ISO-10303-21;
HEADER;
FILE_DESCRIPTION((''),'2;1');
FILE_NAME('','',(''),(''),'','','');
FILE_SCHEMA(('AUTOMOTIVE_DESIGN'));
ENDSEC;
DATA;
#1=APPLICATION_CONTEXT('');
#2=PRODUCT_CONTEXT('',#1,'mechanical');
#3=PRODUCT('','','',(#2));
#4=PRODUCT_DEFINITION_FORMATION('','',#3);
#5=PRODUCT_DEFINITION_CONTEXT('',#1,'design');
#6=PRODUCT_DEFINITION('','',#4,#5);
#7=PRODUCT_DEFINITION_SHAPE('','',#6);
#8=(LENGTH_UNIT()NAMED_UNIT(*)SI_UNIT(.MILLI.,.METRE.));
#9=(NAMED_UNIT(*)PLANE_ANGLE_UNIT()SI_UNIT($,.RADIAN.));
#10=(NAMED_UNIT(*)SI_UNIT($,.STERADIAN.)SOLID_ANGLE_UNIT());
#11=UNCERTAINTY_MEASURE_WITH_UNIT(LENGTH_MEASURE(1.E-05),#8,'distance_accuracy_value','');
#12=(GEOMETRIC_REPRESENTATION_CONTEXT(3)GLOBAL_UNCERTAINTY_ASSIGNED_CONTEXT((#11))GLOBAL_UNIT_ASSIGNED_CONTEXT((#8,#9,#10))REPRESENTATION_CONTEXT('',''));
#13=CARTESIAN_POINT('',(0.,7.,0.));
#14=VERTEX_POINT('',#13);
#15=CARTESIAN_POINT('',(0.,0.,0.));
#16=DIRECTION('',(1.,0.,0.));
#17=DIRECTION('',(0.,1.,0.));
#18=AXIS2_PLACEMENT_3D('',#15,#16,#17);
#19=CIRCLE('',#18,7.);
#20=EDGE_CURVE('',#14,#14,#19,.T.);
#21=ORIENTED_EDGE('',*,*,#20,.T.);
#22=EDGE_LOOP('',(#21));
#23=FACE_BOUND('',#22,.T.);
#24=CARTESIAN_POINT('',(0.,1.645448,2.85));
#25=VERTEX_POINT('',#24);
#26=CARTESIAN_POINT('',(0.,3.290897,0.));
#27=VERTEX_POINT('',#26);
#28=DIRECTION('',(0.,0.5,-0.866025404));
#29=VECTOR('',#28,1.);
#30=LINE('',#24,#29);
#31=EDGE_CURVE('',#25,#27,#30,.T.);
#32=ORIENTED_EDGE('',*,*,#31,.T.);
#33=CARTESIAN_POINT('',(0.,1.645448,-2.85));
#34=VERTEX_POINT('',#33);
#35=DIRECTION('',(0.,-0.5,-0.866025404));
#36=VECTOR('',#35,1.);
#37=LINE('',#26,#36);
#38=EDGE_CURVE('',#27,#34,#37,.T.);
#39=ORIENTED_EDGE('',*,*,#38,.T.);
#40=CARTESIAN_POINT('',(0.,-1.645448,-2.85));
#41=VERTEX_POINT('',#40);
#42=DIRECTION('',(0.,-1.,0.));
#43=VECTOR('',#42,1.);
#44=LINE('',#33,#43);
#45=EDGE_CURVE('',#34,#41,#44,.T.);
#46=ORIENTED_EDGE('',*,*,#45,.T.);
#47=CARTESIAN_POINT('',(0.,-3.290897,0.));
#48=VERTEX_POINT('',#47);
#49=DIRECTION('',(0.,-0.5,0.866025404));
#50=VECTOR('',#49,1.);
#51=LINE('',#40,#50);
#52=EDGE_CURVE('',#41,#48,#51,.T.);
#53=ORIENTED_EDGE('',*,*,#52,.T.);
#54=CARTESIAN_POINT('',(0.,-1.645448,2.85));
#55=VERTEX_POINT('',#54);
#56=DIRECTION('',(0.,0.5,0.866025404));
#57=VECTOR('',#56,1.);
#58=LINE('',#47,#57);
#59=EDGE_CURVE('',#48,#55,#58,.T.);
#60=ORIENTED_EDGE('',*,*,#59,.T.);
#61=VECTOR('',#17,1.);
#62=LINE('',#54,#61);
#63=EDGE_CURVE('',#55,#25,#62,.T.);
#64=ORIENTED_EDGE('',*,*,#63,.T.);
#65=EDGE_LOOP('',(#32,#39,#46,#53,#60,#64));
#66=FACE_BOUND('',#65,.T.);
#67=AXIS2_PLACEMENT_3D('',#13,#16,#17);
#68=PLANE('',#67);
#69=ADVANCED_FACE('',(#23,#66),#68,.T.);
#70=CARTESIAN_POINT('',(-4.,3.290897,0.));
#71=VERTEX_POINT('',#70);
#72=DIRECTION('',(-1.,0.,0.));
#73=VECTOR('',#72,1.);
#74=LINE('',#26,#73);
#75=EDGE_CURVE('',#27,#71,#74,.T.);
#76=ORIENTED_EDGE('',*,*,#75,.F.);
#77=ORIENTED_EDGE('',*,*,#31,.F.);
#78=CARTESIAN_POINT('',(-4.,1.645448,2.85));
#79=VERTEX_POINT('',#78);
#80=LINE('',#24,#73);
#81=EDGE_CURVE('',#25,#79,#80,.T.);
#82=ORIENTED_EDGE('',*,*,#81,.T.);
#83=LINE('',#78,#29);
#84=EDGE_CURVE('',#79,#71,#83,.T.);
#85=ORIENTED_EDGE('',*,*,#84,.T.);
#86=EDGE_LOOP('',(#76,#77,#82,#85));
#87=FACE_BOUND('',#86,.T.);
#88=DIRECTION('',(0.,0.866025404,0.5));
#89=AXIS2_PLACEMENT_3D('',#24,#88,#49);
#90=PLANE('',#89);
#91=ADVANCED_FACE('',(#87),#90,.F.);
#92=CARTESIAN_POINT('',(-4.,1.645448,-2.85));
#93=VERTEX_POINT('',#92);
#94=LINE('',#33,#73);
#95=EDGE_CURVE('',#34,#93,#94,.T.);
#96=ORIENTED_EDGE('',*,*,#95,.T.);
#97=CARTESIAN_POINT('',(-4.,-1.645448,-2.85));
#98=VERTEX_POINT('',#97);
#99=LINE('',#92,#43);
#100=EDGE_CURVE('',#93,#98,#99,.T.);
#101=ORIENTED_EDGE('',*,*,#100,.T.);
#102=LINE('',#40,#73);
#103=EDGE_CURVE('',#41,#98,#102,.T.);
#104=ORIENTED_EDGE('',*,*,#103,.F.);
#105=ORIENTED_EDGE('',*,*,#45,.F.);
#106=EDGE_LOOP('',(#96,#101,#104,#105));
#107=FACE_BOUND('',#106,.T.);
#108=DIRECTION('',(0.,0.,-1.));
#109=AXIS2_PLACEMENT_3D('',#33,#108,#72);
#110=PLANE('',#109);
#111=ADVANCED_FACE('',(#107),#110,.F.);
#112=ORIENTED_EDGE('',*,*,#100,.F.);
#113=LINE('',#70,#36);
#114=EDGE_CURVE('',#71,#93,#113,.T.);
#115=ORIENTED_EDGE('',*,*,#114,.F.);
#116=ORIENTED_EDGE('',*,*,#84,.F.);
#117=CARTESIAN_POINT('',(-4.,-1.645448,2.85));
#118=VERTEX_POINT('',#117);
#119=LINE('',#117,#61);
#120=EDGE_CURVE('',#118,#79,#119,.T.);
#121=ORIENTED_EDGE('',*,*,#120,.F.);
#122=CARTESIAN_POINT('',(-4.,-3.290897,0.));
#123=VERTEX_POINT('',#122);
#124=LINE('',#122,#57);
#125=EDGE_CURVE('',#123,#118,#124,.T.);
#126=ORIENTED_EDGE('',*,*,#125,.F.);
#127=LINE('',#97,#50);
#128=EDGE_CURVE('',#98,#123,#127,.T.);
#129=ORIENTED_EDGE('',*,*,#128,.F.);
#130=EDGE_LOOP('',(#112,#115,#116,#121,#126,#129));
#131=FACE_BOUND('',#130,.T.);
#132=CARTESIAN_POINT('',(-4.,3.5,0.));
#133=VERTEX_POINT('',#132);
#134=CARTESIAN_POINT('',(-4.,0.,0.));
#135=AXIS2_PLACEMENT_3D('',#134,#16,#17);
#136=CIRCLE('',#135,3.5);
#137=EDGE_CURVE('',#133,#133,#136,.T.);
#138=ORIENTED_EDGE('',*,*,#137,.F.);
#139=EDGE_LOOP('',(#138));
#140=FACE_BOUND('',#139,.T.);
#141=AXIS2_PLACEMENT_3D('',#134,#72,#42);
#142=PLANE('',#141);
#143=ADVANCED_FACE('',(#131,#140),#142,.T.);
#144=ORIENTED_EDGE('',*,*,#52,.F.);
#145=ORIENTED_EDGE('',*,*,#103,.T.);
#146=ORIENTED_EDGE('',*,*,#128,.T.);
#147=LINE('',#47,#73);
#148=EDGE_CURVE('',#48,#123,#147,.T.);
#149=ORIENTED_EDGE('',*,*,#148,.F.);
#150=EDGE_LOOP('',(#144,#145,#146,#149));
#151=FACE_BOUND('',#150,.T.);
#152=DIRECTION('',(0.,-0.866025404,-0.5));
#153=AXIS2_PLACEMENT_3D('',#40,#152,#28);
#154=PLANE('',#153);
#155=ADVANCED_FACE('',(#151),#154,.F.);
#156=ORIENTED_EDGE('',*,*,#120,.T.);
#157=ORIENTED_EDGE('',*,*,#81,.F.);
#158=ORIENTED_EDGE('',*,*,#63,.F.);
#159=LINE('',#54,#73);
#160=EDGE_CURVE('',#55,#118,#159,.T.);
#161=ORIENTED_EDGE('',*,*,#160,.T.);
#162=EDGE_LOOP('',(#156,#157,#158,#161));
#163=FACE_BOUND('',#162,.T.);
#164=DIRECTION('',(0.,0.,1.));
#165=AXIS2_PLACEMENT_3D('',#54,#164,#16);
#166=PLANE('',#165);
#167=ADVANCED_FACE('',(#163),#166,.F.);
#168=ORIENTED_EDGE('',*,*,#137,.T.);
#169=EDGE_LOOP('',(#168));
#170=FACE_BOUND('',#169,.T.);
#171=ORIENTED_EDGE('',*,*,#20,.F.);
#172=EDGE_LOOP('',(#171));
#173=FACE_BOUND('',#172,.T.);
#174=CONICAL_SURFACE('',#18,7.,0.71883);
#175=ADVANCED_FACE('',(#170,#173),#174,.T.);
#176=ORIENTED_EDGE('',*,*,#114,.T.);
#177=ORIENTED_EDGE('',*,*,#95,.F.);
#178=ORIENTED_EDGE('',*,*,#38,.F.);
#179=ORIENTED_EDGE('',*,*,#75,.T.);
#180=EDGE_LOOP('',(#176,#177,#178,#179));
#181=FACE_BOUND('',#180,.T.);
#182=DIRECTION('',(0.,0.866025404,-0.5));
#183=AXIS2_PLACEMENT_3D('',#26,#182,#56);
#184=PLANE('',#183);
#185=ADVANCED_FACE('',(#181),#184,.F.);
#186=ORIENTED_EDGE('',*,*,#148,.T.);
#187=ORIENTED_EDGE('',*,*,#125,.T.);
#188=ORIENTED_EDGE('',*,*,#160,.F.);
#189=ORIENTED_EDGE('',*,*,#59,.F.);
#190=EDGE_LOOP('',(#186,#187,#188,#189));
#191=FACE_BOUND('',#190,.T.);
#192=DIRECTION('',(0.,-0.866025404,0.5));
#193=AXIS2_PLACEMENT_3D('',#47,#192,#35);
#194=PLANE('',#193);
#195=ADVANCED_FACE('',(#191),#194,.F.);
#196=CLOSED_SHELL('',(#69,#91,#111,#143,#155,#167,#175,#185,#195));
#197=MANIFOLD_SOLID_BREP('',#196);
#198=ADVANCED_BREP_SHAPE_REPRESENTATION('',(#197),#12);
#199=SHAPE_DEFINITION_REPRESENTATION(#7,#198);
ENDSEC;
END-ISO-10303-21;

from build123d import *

# Parameters (mm, degrees)
CUT_EXTRUDE1_DEPTH = 11.677078252


with BuildPart() as part:
    # Sketch1 → Revolve1 (revolve)
    with BuildSketch(Plane.XY):
        Polygon((0, 0), (-4, 0), (-4, 3.5), (0, 7), align=None)
    revolve(axis=Axis((0, 0, 0), (-1, 0, 0)))

    # Sketch2 → Cut-Extrude1 (cut, through all)
    with BuildSketch(Plane.ZY.offset(4)):
        Polygon((0, 3.290896534), (-2.85, 1.645448267), (-2.85, -1.645448267), (0, -3.290896534), (2.85, -1.645448267), (2.85, 1.645448267), align=None)
    extrude(amount=-CUT_EXTRUDE1_DEPTH, mode=Mode.SUBTRACT)


solid = part.part
